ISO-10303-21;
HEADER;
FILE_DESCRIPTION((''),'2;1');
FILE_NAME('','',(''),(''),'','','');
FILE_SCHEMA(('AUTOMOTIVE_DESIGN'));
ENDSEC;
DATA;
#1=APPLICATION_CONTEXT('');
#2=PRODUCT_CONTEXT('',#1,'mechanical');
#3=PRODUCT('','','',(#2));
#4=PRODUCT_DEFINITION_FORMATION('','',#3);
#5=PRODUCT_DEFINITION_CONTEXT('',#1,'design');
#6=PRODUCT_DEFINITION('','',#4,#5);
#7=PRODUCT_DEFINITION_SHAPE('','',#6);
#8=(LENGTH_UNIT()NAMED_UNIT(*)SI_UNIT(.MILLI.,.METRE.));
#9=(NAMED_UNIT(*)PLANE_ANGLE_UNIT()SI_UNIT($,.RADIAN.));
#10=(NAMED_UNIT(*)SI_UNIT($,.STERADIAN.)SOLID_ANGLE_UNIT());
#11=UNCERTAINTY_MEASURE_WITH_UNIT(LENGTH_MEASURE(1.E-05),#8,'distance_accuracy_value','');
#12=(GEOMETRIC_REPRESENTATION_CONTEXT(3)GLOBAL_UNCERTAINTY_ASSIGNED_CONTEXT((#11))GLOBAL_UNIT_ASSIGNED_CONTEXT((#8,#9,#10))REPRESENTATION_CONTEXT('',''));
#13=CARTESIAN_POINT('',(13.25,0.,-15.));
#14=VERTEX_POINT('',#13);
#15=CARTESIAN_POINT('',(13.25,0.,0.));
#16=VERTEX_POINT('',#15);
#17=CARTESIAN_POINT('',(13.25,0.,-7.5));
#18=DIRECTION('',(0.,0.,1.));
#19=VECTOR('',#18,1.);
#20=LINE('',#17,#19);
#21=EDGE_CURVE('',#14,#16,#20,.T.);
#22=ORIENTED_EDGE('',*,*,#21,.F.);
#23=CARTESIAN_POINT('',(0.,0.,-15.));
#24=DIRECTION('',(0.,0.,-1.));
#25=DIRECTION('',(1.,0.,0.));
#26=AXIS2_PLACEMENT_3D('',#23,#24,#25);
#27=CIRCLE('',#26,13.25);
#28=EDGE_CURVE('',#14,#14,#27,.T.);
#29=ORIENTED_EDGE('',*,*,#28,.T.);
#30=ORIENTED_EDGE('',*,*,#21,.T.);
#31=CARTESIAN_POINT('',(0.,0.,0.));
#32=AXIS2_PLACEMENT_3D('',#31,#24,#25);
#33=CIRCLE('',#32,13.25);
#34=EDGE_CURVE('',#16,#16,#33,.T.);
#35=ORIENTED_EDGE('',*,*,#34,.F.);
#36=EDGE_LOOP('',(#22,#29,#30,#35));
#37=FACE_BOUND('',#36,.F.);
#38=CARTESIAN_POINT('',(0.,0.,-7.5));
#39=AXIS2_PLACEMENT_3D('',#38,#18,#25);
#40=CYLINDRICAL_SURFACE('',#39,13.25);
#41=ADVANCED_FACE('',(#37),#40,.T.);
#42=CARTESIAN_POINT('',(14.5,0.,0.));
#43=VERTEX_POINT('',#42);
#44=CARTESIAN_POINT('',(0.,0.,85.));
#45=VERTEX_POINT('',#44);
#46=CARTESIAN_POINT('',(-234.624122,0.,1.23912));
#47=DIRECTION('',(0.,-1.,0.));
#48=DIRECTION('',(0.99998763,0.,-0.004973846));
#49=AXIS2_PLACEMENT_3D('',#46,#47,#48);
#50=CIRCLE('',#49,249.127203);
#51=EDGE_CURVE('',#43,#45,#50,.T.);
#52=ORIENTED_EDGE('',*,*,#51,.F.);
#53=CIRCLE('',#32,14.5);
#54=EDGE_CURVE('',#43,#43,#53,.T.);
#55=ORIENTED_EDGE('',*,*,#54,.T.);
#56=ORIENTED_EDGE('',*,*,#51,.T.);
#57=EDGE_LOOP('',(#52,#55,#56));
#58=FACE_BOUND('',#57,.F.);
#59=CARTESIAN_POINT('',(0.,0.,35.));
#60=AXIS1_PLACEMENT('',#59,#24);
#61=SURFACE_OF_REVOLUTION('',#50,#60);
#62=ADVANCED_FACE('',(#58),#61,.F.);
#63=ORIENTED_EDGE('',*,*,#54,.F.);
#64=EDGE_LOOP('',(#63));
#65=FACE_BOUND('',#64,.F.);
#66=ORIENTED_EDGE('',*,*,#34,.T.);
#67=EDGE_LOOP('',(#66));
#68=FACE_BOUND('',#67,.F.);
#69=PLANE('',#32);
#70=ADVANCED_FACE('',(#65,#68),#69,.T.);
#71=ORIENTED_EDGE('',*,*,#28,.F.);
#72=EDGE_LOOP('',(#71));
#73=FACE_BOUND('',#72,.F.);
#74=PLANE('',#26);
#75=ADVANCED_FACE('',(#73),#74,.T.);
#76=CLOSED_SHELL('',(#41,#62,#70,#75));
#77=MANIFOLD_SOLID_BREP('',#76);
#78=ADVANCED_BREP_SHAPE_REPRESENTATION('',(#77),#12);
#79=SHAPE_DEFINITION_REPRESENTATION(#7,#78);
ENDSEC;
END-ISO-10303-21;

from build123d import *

# Parameters (mm, degrees)
F0_W = 13.25
F0_H = 15


with BuildPart() as f1:
    # F0 (on Front) → F1 (revolve)
    with BuildSketch(Plane.XZ):
        with BuildLine():
            Line((0, 85), (0, 0))
            Line((0, 0), (13.25, 0))
            Line((13.25, 0), (14.5, 0))
            ThreePointArc((14.5, 0), (10.95548, 43.132111), (0, 85))
        make_face()
        with Locations((6.625, -7.5)):
            Rectangle(F0_W, F0_H)
    revolve(axis=Axis((0, 0, 35), (0, 0, -1)))


solid = f1.part
